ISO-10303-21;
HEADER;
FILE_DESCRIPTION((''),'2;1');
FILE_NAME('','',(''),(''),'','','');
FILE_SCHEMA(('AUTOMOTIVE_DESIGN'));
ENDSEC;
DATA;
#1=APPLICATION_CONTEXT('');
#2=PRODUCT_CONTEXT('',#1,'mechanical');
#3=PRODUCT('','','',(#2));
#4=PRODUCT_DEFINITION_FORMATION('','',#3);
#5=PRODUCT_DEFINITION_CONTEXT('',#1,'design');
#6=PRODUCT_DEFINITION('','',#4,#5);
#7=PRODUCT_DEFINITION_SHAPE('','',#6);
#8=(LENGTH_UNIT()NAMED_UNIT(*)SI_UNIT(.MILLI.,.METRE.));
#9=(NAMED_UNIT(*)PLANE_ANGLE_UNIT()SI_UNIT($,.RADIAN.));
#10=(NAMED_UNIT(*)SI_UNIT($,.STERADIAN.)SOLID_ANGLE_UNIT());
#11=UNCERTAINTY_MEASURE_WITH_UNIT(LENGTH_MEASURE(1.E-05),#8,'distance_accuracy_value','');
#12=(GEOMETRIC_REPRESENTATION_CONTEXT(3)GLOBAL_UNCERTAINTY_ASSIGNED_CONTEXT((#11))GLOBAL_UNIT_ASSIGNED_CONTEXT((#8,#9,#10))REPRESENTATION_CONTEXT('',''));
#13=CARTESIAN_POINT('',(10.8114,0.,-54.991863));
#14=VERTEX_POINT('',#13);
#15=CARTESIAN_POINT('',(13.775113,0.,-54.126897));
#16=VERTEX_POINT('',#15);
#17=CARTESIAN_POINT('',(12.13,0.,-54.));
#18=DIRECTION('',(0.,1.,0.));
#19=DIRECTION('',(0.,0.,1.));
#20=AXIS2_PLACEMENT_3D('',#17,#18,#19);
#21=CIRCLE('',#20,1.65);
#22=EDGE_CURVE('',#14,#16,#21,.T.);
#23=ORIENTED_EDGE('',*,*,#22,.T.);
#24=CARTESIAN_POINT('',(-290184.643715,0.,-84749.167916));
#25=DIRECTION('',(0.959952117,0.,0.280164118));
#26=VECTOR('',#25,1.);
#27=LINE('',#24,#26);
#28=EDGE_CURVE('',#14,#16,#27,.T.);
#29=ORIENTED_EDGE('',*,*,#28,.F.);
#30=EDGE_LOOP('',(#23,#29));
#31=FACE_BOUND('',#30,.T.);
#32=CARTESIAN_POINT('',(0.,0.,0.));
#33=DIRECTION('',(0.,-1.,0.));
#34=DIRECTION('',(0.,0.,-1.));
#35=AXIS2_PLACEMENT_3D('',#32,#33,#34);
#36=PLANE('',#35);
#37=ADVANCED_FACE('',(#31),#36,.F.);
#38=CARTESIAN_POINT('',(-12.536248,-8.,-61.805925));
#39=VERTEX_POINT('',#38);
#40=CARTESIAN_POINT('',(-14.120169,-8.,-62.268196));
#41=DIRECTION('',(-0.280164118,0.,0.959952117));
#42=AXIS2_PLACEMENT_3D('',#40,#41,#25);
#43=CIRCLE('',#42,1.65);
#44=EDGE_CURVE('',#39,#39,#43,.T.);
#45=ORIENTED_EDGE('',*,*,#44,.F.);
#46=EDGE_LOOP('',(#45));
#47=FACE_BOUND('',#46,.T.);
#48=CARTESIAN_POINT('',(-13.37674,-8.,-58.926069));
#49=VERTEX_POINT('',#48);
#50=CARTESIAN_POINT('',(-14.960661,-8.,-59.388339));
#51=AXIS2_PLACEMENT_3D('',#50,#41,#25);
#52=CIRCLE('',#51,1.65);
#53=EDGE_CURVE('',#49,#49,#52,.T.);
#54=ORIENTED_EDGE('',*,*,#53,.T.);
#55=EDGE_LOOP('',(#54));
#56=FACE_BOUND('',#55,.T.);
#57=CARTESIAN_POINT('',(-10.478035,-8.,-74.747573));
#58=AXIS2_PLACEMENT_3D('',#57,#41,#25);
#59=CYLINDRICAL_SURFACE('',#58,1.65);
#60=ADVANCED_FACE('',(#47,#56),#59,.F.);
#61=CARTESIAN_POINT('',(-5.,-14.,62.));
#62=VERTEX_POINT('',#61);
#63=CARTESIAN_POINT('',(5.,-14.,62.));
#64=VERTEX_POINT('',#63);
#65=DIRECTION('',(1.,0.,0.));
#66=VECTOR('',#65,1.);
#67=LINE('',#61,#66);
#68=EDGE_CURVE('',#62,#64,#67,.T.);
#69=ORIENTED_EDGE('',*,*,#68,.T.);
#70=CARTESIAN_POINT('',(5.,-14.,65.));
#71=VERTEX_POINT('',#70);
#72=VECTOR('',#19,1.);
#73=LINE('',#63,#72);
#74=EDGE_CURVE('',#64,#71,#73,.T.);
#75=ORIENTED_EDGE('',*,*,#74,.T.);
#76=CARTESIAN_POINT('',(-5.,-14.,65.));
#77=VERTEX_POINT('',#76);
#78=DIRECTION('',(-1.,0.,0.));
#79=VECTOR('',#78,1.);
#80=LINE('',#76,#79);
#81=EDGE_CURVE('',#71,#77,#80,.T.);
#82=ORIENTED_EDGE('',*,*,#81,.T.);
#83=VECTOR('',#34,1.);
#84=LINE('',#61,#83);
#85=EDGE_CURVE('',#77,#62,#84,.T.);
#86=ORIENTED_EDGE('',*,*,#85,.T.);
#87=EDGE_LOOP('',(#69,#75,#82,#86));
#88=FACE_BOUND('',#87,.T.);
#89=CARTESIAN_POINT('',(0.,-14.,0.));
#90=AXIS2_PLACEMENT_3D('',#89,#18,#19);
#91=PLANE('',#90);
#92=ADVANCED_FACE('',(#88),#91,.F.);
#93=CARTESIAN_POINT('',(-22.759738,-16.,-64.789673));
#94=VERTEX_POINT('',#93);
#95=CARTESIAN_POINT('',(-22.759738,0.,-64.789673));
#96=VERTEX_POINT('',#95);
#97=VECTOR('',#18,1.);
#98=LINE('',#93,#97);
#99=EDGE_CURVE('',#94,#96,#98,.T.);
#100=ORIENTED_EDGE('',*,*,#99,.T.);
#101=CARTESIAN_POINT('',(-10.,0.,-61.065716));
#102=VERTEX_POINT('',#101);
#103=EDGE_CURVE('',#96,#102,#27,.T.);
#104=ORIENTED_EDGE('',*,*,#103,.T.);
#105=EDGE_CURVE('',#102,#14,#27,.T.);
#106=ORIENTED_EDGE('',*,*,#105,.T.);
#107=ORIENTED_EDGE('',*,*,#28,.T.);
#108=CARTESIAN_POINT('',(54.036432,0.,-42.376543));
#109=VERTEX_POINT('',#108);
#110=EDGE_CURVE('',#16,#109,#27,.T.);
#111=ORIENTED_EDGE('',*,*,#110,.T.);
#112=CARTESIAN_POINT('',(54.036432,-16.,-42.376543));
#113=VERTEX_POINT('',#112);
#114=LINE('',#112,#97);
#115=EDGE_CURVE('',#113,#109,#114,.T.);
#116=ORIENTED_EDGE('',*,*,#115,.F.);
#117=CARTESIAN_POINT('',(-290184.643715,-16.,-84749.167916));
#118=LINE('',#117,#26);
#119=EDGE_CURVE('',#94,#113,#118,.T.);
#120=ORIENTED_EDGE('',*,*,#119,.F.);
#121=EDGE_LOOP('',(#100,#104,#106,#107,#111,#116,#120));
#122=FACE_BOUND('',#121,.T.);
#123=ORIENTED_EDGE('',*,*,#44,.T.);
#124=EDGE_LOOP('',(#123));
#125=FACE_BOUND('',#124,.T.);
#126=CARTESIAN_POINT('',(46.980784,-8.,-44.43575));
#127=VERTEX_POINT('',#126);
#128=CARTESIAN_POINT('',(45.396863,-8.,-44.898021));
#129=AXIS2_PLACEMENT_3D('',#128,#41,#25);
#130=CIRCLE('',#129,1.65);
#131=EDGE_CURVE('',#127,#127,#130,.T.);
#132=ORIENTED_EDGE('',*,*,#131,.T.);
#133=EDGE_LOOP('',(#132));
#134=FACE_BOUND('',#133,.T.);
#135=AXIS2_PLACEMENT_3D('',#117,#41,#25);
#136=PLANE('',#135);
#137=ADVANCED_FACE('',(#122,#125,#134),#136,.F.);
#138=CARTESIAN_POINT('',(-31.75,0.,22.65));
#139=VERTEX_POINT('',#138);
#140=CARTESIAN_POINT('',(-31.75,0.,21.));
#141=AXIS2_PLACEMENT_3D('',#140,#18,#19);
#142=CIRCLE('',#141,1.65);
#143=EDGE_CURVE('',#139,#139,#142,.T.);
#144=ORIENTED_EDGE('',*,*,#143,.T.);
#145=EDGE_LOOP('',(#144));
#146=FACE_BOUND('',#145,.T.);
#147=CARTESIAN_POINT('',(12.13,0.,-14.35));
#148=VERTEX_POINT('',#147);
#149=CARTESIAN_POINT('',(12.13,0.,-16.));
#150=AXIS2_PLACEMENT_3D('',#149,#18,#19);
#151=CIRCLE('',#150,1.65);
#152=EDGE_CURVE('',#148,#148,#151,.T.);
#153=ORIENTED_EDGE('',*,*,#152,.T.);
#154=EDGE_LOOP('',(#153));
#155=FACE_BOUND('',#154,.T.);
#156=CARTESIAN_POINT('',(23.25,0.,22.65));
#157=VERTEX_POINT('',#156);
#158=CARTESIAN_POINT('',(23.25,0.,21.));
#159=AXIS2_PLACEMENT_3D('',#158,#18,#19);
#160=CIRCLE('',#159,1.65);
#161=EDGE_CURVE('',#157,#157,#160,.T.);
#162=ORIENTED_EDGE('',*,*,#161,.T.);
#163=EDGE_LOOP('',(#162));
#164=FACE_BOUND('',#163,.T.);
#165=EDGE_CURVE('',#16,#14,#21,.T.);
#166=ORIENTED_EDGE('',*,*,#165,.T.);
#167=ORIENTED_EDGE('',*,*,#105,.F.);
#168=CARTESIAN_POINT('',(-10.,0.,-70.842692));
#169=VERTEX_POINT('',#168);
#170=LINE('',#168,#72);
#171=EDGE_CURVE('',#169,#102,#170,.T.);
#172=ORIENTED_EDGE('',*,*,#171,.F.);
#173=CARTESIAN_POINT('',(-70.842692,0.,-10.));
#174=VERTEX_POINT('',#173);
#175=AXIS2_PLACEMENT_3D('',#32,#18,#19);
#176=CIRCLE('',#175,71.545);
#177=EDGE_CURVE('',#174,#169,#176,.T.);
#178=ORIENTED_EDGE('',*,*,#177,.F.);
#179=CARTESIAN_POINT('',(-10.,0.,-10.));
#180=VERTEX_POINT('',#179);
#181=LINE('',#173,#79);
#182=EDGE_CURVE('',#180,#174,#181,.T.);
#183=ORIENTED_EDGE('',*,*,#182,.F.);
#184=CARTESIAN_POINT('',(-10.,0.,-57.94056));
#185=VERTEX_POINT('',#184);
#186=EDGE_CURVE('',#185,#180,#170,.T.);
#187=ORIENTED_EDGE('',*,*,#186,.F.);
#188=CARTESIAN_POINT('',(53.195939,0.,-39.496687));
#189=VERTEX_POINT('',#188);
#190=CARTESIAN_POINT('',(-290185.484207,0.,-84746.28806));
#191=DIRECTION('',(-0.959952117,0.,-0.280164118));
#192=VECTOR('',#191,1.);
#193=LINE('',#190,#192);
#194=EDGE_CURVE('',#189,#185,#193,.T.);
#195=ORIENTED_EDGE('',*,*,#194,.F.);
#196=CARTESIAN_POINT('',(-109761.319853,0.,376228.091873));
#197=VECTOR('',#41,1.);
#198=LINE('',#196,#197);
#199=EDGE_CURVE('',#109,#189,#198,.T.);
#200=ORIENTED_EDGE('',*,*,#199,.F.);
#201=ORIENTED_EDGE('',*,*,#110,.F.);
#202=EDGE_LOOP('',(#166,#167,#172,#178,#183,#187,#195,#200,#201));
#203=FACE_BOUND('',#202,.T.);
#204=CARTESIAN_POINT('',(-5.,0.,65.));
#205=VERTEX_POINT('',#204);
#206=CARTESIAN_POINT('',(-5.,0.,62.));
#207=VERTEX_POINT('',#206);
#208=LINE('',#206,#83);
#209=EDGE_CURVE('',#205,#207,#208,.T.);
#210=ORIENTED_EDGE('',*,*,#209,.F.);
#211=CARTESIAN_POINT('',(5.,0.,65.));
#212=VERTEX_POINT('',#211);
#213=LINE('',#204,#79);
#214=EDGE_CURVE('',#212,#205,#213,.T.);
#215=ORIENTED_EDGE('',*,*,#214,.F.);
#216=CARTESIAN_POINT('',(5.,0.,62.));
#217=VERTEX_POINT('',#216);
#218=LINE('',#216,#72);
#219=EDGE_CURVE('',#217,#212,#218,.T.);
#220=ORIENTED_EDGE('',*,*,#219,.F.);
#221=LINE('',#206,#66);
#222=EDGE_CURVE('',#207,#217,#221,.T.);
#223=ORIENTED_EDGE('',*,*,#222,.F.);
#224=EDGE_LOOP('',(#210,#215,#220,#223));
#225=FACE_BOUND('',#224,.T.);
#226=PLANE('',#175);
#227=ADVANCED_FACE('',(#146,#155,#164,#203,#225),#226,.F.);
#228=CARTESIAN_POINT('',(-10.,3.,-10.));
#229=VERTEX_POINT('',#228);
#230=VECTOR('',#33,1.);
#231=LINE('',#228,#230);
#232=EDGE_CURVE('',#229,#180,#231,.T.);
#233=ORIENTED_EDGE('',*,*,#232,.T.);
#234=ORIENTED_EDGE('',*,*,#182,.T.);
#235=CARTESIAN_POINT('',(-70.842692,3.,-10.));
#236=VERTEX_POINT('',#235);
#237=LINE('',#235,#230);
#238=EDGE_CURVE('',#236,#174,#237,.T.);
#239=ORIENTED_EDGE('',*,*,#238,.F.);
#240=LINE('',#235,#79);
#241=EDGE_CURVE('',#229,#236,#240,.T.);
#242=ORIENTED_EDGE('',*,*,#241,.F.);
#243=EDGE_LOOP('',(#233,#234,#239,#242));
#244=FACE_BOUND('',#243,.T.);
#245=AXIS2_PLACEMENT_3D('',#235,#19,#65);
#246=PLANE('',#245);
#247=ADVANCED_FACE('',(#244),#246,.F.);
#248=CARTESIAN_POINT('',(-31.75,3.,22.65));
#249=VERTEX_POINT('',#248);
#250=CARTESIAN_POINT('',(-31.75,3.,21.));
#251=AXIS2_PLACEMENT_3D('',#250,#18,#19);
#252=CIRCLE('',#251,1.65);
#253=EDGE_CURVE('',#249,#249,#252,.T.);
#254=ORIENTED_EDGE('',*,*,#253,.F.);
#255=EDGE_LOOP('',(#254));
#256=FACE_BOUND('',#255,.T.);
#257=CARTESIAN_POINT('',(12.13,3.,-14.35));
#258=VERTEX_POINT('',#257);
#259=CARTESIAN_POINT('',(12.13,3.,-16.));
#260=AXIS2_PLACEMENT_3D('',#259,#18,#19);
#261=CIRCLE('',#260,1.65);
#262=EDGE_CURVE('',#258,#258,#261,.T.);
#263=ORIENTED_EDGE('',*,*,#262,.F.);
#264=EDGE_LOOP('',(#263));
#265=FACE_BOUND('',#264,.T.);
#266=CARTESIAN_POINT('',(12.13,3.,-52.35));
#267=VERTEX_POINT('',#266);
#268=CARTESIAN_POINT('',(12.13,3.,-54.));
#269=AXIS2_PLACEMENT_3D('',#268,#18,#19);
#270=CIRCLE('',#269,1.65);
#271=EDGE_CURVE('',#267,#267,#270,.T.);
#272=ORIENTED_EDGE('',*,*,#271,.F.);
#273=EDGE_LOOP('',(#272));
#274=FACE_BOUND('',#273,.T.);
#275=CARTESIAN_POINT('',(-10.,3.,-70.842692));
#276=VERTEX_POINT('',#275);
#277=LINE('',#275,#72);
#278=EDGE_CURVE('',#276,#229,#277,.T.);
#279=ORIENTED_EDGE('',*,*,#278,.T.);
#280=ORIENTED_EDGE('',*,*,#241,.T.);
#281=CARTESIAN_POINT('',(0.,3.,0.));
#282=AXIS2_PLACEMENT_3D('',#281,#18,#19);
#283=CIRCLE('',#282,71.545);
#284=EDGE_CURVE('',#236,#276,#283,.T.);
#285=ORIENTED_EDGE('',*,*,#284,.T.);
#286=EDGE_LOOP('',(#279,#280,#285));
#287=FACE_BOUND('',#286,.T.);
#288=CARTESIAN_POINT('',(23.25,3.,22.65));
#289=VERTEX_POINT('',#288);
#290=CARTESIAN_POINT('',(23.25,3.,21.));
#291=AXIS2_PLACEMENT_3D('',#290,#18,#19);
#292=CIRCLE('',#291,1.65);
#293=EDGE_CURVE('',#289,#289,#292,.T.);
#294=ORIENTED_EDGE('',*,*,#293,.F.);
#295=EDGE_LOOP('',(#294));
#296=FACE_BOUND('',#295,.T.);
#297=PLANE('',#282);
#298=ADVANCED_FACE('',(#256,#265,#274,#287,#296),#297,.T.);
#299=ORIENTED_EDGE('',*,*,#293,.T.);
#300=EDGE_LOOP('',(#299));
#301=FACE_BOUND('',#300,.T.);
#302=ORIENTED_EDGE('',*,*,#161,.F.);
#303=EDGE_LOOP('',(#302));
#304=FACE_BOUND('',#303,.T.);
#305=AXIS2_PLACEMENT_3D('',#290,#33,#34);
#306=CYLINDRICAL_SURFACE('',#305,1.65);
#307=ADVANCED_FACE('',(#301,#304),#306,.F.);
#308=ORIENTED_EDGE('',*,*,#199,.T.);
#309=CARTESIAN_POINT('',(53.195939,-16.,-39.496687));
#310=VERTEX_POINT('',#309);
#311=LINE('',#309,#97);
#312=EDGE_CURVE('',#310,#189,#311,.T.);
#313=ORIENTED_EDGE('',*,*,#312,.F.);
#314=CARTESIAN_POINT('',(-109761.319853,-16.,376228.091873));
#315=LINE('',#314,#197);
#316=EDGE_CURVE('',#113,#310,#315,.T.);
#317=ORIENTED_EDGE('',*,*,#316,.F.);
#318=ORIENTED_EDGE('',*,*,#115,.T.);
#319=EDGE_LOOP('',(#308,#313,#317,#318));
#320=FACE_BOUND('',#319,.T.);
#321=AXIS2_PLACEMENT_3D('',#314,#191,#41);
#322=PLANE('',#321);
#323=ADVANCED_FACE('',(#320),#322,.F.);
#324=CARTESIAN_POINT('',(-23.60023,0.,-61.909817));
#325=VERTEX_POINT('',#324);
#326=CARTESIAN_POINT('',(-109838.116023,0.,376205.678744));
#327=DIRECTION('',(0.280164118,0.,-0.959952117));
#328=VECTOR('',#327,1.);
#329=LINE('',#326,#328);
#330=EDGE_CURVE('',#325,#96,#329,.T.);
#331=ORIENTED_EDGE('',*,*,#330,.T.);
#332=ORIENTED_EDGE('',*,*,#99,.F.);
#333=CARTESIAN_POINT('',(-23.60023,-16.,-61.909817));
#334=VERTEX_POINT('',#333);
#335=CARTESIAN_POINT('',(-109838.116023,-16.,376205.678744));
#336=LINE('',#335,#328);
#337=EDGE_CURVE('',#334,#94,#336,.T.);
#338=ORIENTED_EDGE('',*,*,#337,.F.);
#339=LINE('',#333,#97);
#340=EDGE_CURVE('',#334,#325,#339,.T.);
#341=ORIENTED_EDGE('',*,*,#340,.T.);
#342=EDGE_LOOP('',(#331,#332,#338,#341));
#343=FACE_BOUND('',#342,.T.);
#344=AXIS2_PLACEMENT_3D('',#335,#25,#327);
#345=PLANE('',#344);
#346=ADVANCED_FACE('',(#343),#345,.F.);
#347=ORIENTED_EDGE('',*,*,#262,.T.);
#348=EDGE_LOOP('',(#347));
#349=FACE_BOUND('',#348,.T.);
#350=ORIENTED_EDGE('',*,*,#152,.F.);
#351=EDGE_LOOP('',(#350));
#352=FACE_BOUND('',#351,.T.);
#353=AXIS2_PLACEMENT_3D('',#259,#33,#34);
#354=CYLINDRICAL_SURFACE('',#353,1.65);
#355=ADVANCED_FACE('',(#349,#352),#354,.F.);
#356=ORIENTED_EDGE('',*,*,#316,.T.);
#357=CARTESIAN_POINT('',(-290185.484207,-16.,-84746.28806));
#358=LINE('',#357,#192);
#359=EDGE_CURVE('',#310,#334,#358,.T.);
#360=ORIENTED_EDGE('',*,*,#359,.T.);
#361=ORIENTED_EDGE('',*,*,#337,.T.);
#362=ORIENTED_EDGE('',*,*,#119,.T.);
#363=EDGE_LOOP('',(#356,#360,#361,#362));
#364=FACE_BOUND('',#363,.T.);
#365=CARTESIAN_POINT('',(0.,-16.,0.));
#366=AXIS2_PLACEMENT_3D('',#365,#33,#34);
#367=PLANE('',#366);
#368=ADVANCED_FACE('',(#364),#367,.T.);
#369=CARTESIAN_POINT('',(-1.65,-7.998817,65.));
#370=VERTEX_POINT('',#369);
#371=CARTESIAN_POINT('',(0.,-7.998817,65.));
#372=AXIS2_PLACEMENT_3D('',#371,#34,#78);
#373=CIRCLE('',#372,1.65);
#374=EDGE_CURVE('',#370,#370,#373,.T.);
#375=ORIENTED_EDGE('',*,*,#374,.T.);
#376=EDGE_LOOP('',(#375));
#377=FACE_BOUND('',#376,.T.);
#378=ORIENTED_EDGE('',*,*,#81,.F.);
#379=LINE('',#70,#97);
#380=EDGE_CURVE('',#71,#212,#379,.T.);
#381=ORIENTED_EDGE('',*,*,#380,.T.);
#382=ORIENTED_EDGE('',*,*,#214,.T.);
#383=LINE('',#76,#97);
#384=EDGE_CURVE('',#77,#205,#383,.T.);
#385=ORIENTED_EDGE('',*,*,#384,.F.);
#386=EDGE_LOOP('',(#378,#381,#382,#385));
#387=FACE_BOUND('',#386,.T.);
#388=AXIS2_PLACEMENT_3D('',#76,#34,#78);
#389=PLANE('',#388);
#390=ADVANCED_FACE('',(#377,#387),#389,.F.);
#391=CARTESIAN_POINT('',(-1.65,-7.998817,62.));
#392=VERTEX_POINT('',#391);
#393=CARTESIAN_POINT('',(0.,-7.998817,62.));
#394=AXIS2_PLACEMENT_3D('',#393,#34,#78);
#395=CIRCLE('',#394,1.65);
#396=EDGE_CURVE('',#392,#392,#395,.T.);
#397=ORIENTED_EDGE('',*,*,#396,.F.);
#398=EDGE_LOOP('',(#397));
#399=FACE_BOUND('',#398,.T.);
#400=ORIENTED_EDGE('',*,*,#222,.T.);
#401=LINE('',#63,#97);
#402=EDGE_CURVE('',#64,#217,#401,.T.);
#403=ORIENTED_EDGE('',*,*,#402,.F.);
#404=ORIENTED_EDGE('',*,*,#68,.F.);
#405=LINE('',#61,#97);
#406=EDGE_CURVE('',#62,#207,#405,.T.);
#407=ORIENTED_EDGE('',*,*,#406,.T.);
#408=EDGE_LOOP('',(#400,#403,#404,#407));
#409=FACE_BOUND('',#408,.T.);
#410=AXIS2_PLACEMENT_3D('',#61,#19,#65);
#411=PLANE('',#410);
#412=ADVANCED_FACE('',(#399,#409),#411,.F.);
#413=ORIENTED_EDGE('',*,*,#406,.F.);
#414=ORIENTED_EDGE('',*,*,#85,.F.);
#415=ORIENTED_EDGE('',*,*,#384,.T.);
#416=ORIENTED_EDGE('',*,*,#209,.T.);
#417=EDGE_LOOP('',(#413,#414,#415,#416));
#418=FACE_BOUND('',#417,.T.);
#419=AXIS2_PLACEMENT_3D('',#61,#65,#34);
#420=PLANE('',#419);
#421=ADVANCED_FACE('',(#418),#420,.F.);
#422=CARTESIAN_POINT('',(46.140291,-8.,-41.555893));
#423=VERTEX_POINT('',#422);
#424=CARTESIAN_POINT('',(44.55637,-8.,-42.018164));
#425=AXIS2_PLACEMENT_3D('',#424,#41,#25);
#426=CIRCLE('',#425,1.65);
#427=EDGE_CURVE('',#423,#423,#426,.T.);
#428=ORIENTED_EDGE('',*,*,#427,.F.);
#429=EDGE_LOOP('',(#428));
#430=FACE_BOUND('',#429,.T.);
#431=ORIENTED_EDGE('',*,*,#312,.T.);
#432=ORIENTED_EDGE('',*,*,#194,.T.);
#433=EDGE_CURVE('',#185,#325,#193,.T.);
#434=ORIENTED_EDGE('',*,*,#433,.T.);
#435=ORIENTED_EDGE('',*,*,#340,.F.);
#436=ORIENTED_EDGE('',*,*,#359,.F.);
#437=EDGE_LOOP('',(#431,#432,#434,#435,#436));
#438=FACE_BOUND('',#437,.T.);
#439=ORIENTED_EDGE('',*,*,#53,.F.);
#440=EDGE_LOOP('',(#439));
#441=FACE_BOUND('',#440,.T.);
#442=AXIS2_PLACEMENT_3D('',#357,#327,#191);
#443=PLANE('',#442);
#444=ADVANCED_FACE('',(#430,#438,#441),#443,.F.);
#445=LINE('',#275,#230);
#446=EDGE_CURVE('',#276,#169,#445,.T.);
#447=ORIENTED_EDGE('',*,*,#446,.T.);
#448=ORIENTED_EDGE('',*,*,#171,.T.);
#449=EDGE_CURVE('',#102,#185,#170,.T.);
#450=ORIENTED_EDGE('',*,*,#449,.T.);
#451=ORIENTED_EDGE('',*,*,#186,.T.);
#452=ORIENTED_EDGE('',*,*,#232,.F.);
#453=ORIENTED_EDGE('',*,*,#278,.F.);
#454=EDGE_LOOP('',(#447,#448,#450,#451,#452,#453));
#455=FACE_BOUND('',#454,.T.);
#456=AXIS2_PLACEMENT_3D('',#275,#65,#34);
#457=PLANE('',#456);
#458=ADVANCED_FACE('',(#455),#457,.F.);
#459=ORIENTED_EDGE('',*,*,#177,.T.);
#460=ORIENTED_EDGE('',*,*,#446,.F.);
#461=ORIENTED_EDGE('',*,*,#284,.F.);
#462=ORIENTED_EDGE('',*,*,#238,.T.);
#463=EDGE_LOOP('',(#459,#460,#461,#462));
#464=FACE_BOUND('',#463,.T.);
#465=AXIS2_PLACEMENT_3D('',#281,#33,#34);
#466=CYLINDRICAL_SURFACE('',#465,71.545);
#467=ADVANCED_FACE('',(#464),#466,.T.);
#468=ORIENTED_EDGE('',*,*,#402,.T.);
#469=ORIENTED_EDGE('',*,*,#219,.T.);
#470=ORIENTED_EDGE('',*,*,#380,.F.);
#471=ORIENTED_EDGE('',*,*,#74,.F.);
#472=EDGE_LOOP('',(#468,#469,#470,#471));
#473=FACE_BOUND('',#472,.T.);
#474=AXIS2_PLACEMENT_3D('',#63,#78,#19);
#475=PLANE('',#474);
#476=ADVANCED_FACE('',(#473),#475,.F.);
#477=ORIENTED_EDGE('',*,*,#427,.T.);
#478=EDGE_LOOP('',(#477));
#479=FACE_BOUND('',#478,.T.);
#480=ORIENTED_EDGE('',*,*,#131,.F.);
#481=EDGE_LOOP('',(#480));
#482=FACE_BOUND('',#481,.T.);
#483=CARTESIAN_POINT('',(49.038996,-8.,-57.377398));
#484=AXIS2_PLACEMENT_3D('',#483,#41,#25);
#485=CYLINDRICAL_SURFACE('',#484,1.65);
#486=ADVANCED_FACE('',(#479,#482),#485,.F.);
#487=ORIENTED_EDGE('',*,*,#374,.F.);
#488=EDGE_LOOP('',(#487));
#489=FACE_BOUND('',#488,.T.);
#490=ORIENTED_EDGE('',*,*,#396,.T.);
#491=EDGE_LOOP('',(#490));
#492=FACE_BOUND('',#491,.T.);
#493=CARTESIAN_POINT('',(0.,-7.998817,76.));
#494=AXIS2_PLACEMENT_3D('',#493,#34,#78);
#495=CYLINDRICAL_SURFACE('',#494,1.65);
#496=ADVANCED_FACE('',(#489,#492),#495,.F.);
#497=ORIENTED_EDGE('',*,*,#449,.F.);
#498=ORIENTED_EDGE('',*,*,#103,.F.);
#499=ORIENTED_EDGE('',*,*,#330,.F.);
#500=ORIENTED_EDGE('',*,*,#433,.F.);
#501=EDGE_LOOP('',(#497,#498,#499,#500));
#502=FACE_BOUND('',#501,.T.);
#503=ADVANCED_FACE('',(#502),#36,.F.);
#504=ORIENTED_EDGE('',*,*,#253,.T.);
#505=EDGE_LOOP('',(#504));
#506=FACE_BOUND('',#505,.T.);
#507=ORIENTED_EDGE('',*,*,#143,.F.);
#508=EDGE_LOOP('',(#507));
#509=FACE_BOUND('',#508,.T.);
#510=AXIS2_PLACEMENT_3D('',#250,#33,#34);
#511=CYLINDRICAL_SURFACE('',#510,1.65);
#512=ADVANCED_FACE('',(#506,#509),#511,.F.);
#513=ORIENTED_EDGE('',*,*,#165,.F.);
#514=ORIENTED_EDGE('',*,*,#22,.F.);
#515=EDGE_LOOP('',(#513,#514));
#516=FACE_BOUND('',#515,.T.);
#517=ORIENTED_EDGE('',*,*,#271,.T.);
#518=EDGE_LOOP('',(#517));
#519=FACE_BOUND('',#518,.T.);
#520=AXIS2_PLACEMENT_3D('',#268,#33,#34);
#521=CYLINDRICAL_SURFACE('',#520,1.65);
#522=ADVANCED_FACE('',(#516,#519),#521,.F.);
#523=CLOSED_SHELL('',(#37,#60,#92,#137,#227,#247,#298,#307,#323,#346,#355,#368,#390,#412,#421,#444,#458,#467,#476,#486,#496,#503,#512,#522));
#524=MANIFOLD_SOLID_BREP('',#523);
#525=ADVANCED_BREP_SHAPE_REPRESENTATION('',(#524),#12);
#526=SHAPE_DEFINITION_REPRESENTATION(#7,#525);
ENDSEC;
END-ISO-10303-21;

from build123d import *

# Parameters (mm, degrees)
SKETCH1_R           = 1.65
BOSS_EXTRUDE1_DEPTH = 3
BOSS_EXTRUDE2_DEPTH = 16
SKETCH3_R           = 1.65
CUT_EXTRUDE1_DEPTH  = 16
SKETCH5_W           = 10
SKETCH5_H           = 3
BOSS_EXTRUDE3_DEPTH = 14
SKETCH6_R           = 1.65
CUT_EXTRUDE2_DEPTH  = 14


with BuildPart() as part:
    # Sketch1 → Boss-Extrude1 (new body)
    with BuildSketch(Plane(origin=(0, 0, 0), x_dir=(1, 0, 0), z_dir=(0, 1, 0))):
        with BuildLine():
            Line((-10, 70.842692107), (-10, 10))
            Line((-10, 10), (-70.842692107, 10))
            ThreePointArc((-70.842692107, 10), (-71.369207057, 5.012315742), (-71.545, 0))
            ThreePointArc((-71.545, 0), (50.58995466, -50.58995466), (0, 71.545))
            ThreePointArc((0, 71.545), (-5.012315742, 71.369207057), (-10, 70.842692107))
        make_face()
        with Locations((12.13, 16)):
            Circle(SKETCH1_R, mode=Mode.SUBTRACT)
        with Locations((12.13, 54)):
            Circle(SKETCH1_R, mode=Mode.SUBTRACT)
        with Locations((23.25, -21)):
            Circle(SKETCH1_R, mode=Mode.SUBTRACT)
        with Locations((-31.75, -21)):
            Circle(SKETCH1_R, mode=Mode.SUBTRACT)
    extrude(amount=BOSS_EXTRUDE1_DEPTH)

    # Sketch2 → Boss-Extrude2 (add)
    with BuildSketch(Plane.XZ):
        Polygon((-23.600230141, -61.909816502), (53.19593923, -39.496687094), (54.036431583, -42.376543445), (-22.759737789, -64.789672853), align=None)
    extrude(amount=BOSS_EXTRUDE2_DEPTH)

    # Sketch3 → Cut-Extrude1 (cut)
    with BuildSketch(Plane(origin=(14.797854544, 0, -50.703251798), x_dir=(0.959952117, 0, 0.280164118), z_dir=(-0.280164118, 0, 0.959952117))):
        with Locations((-31, -8)):
            Circle(SKETCH3_R)
        with Locations((31, -8)):
            Circle(SKETCH3_R)
    extrude(amount=-CUT_EXTRUDE1_DEPTH, mode=Mode.SUBTRACT)

    # Sketch5 → Boss-Extrude3 (add)
    with BuildSketch(Plane(origin=(0, 0, 0), x_dir=(-1, 0, 0), z_dir=(0, -1, 0))):
        with Locations((0, -63.5)):
            Rectangle(SKETCH5_W, SKETCH5_H)
    extrude(amount=BOSS_EXTRUDE3_DEPTH)

    # Sketch6 → Cut-Extrude2 (cut)
    with BuildSketch(Plane(origin=(0, 0, 62), x_dir=(-1, 0, 0), z_dir=(0, 0, -1))):
        with Locations((0, -7.998816604)):
            Circle(SKETCH6_R)
    extrude(amount=-CUT_EXTRUDE2_DEPTH, mode=Mode.SUBTRACT)


solid = part.part
